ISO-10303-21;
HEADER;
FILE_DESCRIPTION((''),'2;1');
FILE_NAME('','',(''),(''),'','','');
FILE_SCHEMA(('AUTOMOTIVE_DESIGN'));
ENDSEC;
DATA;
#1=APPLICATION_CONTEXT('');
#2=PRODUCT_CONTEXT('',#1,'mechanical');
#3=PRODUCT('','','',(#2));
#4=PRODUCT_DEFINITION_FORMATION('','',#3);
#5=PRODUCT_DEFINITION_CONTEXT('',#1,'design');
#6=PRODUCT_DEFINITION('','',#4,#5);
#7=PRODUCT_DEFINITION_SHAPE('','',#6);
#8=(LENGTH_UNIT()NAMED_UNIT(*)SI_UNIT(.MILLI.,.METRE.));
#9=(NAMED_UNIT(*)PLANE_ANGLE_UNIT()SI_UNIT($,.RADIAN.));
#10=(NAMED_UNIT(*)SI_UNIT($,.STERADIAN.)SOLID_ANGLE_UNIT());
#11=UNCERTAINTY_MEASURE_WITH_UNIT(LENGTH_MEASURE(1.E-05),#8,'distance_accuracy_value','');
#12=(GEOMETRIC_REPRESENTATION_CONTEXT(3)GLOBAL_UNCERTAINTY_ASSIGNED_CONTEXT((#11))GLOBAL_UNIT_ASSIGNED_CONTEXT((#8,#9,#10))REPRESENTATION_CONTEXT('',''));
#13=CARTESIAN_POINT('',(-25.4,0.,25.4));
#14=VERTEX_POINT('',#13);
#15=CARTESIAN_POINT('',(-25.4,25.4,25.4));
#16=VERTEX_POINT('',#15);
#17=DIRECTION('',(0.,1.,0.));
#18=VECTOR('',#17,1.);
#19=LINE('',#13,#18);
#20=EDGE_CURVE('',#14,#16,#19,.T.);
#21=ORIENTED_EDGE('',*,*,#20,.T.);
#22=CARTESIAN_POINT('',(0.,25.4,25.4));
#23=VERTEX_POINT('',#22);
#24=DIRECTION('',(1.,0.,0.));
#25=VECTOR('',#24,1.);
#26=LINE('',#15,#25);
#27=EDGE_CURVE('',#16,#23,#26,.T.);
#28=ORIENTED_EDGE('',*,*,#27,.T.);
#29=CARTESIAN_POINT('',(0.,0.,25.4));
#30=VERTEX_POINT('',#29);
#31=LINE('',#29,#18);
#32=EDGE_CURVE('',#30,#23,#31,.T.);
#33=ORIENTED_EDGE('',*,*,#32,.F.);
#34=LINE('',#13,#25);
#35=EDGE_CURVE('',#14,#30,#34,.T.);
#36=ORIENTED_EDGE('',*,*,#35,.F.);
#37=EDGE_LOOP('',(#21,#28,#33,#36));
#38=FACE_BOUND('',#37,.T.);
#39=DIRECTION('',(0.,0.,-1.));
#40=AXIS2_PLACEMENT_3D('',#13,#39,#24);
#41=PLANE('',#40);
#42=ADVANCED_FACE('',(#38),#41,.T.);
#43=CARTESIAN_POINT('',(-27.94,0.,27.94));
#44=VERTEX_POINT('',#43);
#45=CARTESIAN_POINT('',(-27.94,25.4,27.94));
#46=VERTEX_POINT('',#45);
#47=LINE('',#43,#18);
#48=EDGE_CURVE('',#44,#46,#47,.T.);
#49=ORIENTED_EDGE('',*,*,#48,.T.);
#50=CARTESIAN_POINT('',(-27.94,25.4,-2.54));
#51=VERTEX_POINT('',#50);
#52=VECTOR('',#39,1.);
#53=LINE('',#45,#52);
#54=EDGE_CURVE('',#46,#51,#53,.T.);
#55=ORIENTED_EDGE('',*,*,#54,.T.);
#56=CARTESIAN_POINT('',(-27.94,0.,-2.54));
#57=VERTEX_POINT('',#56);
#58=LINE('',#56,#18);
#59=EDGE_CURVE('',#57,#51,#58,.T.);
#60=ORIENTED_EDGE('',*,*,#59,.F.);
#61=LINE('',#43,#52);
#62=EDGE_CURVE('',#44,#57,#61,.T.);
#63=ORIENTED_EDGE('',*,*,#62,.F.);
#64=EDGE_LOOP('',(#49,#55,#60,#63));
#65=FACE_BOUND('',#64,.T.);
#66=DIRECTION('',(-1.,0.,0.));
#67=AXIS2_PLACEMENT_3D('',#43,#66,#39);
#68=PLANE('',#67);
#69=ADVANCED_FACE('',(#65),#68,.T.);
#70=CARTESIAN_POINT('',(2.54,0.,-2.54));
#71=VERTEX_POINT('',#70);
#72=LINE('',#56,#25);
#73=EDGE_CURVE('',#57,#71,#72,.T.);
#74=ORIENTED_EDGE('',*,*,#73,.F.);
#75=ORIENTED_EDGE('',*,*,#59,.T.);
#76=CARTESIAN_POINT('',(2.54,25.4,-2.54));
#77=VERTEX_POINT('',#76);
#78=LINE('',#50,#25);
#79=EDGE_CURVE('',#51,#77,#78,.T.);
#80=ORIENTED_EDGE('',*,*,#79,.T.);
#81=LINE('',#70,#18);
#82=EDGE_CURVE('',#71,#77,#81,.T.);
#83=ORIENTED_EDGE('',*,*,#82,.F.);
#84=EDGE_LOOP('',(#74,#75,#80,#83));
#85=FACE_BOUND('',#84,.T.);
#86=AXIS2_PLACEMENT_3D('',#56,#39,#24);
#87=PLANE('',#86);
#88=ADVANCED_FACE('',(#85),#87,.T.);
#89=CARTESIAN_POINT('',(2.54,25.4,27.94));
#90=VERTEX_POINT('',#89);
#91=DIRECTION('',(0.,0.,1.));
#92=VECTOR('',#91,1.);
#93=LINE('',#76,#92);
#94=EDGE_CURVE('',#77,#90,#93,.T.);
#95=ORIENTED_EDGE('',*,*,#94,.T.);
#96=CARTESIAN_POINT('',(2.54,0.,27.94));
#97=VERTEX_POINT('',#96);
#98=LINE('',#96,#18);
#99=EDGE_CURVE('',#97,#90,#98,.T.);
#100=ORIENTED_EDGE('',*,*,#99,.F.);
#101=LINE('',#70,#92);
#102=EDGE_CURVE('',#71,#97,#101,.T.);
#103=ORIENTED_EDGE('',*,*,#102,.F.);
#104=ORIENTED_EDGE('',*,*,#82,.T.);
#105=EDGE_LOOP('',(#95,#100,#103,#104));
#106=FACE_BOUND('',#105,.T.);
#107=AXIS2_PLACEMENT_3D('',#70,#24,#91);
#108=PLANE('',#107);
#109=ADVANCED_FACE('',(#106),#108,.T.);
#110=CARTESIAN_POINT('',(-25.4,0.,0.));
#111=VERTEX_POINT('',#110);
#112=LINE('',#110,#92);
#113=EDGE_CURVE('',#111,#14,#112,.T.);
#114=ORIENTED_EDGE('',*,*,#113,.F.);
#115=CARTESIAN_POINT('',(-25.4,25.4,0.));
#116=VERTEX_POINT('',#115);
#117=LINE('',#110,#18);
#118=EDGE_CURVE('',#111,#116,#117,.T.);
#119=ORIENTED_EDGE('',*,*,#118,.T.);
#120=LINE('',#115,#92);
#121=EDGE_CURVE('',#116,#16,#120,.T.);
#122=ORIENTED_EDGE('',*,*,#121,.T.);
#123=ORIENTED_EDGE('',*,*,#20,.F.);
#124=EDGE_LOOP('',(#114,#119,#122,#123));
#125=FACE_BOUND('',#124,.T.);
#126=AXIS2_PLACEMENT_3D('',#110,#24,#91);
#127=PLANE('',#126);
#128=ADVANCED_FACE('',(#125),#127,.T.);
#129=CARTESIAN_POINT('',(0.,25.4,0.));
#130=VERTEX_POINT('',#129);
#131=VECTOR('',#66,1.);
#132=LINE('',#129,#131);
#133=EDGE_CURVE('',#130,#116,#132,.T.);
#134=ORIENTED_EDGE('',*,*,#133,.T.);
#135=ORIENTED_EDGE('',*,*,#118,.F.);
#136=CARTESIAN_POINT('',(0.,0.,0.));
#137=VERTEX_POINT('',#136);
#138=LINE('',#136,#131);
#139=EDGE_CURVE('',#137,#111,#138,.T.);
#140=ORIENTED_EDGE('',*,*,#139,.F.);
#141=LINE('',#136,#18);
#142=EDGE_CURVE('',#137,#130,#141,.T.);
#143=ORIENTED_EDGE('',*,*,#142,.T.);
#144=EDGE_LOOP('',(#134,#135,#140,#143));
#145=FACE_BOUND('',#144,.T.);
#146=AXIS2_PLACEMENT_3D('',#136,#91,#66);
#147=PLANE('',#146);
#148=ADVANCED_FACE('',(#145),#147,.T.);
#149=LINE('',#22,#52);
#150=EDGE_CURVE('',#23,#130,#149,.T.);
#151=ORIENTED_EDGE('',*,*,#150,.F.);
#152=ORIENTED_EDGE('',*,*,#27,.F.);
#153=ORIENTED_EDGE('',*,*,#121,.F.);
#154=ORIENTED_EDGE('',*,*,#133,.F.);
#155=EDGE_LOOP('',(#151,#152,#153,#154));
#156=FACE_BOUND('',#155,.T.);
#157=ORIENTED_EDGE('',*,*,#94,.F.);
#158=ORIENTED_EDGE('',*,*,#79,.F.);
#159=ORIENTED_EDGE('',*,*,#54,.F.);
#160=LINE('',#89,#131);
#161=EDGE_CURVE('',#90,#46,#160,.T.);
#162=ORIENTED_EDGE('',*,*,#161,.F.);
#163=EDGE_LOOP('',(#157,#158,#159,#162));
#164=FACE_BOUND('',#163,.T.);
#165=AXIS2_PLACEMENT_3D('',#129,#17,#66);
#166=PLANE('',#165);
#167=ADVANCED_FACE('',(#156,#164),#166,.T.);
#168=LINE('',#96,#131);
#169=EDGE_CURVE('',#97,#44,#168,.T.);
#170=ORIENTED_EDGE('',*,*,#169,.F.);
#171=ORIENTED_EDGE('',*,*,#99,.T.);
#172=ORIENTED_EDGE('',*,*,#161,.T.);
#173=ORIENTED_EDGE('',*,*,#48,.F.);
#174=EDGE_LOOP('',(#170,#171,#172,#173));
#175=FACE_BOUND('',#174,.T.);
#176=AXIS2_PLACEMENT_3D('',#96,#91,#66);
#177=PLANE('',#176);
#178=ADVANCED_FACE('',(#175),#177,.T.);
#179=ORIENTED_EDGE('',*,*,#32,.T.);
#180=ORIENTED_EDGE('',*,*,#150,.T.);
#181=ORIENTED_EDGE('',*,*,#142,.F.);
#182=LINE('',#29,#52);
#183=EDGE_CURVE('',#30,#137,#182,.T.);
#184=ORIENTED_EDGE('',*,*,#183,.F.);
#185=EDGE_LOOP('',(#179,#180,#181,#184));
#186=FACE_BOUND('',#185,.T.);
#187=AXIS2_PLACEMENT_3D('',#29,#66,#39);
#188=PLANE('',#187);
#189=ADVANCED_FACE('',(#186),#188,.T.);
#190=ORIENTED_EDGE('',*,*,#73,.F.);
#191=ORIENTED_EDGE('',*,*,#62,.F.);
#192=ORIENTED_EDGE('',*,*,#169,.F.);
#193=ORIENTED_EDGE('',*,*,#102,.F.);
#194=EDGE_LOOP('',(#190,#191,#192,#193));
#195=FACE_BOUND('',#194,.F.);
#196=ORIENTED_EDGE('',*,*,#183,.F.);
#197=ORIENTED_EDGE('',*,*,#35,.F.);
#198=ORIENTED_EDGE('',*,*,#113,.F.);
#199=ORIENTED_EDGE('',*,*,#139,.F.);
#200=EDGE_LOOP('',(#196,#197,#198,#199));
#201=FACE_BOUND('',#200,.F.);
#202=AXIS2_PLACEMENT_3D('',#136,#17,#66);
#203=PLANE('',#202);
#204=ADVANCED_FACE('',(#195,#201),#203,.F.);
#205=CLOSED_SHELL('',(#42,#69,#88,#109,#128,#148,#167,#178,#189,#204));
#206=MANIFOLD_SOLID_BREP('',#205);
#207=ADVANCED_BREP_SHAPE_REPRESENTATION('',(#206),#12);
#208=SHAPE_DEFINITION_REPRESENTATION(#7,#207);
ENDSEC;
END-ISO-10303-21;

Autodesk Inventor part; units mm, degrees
ref_plane "YZ Plane" through (0, 0, 0) normal (1, 0, 0) x (0, 1, 0)
ref_plane "XZ Plane" through (0, 0, 0) normal (0, 1, 0) x (-1, 0, 0)
ref_plane "XY Plane" through (0, 0, 0) normal (0, 0, 1) x (1, 0, 0)
sketch "Sketch1" plane through (0, 0, 0) normal (0, 1, 0) x (-1, 0, 0)
  line L0 (0, 0) -> (25.4, 0)
  line L1 (25.4, 0) -> (25.4, 25.4)
  line L2 (25.4, 25.4) -> (0, 25.4)
  line L3 (0, 25.4) -> (0, 0)
  line L4 (-2.54, 27.94) -> (27.94, 27.94)
  line L5 (27.94, 27.94) -> (27.94, -2.54)
  line L6 (27.94, -2.54) -> (-2.54, -2.54)
  line L7 (-2.54, -2.54) -> (-2.54, 27.94)
  dimension "d0" = 25.4
  dimension "d1" = 25.4
  dimension "d2" = 2.54
extrude "Extrusion1" add sketch "Sketch1" along normal blind 25.4
properties part number "squareNorthBand" material "Rubber"
